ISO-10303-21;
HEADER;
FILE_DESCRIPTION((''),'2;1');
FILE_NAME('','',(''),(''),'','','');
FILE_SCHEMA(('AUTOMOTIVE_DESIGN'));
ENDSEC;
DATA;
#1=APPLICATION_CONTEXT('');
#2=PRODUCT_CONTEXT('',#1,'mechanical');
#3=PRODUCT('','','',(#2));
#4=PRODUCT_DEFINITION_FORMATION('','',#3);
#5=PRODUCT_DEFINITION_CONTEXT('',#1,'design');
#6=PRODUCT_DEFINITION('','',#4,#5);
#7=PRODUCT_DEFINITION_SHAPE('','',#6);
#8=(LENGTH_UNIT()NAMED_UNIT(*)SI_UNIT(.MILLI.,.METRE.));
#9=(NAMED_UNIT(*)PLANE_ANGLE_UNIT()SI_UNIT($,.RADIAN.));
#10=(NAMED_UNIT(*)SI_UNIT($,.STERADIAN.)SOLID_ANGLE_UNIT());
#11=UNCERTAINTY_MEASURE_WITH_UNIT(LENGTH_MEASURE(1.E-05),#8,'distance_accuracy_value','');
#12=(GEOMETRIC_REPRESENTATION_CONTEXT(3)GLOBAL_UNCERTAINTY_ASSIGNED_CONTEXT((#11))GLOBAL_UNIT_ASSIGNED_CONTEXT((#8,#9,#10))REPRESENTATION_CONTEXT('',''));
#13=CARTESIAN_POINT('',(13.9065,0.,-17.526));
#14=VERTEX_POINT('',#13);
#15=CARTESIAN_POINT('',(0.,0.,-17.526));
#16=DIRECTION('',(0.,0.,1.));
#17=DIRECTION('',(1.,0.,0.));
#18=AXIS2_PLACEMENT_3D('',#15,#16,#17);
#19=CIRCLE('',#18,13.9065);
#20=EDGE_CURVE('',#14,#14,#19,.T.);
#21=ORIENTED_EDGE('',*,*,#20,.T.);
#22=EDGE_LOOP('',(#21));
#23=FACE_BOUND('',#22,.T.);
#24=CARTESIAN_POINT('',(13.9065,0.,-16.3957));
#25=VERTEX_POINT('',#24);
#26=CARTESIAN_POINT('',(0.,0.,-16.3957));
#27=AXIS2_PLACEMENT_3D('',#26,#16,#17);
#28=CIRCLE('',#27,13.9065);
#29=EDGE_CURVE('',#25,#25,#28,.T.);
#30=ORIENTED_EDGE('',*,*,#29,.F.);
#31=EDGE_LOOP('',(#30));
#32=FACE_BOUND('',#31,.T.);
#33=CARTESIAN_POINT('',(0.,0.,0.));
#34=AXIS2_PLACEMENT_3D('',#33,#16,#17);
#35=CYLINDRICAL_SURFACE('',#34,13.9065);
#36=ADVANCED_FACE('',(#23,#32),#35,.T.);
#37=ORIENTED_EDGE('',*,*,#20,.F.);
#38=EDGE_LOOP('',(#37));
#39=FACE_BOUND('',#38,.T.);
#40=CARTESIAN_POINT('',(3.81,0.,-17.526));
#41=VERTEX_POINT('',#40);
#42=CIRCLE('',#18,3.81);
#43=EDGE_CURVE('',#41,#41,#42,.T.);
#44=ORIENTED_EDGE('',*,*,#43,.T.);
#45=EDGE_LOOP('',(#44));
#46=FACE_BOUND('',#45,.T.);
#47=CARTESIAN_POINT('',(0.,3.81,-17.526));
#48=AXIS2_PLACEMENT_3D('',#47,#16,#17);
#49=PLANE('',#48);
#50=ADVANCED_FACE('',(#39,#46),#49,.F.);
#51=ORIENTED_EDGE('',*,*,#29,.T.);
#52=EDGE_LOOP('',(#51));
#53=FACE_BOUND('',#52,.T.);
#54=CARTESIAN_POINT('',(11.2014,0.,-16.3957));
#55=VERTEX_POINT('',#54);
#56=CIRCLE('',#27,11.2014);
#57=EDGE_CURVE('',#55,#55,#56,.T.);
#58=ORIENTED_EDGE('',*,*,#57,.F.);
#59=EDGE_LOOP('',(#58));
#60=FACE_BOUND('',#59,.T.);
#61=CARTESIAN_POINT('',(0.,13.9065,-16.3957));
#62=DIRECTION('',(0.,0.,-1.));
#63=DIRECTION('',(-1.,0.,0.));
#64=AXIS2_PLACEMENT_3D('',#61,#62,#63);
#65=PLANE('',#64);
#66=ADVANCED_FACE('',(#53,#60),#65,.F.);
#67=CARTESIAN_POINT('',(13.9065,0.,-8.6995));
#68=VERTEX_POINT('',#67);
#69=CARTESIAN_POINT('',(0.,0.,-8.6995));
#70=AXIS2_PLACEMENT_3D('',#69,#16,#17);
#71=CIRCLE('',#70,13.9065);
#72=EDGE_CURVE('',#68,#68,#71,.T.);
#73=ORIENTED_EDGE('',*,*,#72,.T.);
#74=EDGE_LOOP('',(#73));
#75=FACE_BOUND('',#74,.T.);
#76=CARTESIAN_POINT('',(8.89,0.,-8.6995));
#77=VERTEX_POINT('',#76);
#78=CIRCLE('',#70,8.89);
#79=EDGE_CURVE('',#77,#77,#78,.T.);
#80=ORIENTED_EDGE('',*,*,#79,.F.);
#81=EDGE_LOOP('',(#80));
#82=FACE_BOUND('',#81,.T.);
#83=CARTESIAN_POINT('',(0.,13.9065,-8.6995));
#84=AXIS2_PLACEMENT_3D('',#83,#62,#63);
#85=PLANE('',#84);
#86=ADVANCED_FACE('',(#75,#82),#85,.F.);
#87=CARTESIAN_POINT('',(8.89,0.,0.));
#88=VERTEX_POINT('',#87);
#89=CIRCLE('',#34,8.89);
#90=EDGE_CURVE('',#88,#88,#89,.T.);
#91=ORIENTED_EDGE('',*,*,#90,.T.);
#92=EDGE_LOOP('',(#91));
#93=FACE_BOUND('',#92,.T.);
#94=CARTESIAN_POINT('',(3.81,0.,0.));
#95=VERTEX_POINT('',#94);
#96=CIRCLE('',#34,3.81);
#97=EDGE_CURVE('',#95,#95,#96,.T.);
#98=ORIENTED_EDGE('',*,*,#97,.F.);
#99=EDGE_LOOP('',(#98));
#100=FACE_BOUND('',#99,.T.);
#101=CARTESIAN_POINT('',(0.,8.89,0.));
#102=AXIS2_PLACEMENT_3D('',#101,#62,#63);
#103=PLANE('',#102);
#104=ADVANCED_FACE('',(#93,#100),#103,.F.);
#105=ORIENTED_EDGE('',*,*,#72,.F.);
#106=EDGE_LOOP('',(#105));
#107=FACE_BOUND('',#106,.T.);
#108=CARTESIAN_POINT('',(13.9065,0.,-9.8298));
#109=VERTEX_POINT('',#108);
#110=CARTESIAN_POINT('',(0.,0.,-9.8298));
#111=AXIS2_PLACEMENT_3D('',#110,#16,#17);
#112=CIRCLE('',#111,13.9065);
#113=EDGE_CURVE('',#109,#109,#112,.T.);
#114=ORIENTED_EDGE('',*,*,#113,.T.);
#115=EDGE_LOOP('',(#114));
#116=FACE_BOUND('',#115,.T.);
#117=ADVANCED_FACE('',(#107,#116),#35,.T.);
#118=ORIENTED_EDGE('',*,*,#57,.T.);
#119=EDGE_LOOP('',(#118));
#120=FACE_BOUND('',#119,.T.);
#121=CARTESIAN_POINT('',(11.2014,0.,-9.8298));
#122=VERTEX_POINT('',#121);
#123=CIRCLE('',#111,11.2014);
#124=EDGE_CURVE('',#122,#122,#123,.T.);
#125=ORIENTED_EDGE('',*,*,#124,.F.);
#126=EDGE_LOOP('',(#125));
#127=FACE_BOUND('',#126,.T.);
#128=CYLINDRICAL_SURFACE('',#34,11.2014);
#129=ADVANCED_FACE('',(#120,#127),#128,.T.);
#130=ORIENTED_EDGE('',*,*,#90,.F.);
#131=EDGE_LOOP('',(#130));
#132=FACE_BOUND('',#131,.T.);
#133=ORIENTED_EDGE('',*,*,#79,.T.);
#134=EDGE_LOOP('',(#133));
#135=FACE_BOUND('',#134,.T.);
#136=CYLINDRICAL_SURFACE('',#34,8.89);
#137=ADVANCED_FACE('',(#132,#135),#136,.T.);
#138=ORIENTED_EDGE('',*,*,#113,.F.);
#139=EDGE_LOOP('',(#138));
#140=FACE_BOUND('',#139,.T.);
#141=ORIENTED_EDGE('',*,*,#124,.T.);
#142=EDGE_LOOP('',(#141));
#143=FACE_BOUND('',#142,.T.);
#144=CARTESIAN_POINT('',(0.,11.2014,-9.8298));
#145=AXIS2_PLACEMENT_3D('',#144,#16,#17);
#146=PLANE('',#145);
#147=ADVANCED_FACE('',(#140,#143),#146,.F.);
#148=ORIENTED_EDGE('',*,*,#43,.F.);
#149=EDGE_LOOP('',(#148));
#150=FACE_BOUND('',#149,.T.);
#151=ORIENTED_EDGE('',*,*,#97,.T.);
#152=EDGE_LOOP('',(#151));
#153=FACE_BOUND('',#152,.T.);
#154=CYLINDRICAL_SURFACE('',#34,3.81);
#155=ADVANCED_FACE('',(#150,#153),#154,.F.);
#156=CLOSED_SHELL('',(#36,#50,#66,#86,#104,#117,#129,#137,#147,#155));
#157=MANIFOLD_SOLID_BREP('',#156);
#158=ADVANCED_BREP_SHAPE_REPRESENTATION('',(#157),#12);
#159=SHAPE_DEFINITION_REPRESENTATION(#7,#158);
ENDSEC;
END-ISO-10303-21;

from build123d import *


with BuildPart() as part:
    # Sketch1 → Revolve1 (revolve)
    with BuildSketch(Plane(origin=(0, 0, 0), x_dir=(0, 0, -1), z_dir=(1, 0, 0))):
        Polygon((0, 3.81), (17.526, 3.81), (17.526, 13.9065), (16.3957, 13.9065), (16.3957, 11.2014), (9.8298, 11.2014), (9.8298, 13.9065), (8.6995, 13.9065), (8.6995, 8.89), (0, 8.89), align=None)
    revolve(axis=Axis((0, 0, 0), (0, 0, -1)))


solid = part.part
